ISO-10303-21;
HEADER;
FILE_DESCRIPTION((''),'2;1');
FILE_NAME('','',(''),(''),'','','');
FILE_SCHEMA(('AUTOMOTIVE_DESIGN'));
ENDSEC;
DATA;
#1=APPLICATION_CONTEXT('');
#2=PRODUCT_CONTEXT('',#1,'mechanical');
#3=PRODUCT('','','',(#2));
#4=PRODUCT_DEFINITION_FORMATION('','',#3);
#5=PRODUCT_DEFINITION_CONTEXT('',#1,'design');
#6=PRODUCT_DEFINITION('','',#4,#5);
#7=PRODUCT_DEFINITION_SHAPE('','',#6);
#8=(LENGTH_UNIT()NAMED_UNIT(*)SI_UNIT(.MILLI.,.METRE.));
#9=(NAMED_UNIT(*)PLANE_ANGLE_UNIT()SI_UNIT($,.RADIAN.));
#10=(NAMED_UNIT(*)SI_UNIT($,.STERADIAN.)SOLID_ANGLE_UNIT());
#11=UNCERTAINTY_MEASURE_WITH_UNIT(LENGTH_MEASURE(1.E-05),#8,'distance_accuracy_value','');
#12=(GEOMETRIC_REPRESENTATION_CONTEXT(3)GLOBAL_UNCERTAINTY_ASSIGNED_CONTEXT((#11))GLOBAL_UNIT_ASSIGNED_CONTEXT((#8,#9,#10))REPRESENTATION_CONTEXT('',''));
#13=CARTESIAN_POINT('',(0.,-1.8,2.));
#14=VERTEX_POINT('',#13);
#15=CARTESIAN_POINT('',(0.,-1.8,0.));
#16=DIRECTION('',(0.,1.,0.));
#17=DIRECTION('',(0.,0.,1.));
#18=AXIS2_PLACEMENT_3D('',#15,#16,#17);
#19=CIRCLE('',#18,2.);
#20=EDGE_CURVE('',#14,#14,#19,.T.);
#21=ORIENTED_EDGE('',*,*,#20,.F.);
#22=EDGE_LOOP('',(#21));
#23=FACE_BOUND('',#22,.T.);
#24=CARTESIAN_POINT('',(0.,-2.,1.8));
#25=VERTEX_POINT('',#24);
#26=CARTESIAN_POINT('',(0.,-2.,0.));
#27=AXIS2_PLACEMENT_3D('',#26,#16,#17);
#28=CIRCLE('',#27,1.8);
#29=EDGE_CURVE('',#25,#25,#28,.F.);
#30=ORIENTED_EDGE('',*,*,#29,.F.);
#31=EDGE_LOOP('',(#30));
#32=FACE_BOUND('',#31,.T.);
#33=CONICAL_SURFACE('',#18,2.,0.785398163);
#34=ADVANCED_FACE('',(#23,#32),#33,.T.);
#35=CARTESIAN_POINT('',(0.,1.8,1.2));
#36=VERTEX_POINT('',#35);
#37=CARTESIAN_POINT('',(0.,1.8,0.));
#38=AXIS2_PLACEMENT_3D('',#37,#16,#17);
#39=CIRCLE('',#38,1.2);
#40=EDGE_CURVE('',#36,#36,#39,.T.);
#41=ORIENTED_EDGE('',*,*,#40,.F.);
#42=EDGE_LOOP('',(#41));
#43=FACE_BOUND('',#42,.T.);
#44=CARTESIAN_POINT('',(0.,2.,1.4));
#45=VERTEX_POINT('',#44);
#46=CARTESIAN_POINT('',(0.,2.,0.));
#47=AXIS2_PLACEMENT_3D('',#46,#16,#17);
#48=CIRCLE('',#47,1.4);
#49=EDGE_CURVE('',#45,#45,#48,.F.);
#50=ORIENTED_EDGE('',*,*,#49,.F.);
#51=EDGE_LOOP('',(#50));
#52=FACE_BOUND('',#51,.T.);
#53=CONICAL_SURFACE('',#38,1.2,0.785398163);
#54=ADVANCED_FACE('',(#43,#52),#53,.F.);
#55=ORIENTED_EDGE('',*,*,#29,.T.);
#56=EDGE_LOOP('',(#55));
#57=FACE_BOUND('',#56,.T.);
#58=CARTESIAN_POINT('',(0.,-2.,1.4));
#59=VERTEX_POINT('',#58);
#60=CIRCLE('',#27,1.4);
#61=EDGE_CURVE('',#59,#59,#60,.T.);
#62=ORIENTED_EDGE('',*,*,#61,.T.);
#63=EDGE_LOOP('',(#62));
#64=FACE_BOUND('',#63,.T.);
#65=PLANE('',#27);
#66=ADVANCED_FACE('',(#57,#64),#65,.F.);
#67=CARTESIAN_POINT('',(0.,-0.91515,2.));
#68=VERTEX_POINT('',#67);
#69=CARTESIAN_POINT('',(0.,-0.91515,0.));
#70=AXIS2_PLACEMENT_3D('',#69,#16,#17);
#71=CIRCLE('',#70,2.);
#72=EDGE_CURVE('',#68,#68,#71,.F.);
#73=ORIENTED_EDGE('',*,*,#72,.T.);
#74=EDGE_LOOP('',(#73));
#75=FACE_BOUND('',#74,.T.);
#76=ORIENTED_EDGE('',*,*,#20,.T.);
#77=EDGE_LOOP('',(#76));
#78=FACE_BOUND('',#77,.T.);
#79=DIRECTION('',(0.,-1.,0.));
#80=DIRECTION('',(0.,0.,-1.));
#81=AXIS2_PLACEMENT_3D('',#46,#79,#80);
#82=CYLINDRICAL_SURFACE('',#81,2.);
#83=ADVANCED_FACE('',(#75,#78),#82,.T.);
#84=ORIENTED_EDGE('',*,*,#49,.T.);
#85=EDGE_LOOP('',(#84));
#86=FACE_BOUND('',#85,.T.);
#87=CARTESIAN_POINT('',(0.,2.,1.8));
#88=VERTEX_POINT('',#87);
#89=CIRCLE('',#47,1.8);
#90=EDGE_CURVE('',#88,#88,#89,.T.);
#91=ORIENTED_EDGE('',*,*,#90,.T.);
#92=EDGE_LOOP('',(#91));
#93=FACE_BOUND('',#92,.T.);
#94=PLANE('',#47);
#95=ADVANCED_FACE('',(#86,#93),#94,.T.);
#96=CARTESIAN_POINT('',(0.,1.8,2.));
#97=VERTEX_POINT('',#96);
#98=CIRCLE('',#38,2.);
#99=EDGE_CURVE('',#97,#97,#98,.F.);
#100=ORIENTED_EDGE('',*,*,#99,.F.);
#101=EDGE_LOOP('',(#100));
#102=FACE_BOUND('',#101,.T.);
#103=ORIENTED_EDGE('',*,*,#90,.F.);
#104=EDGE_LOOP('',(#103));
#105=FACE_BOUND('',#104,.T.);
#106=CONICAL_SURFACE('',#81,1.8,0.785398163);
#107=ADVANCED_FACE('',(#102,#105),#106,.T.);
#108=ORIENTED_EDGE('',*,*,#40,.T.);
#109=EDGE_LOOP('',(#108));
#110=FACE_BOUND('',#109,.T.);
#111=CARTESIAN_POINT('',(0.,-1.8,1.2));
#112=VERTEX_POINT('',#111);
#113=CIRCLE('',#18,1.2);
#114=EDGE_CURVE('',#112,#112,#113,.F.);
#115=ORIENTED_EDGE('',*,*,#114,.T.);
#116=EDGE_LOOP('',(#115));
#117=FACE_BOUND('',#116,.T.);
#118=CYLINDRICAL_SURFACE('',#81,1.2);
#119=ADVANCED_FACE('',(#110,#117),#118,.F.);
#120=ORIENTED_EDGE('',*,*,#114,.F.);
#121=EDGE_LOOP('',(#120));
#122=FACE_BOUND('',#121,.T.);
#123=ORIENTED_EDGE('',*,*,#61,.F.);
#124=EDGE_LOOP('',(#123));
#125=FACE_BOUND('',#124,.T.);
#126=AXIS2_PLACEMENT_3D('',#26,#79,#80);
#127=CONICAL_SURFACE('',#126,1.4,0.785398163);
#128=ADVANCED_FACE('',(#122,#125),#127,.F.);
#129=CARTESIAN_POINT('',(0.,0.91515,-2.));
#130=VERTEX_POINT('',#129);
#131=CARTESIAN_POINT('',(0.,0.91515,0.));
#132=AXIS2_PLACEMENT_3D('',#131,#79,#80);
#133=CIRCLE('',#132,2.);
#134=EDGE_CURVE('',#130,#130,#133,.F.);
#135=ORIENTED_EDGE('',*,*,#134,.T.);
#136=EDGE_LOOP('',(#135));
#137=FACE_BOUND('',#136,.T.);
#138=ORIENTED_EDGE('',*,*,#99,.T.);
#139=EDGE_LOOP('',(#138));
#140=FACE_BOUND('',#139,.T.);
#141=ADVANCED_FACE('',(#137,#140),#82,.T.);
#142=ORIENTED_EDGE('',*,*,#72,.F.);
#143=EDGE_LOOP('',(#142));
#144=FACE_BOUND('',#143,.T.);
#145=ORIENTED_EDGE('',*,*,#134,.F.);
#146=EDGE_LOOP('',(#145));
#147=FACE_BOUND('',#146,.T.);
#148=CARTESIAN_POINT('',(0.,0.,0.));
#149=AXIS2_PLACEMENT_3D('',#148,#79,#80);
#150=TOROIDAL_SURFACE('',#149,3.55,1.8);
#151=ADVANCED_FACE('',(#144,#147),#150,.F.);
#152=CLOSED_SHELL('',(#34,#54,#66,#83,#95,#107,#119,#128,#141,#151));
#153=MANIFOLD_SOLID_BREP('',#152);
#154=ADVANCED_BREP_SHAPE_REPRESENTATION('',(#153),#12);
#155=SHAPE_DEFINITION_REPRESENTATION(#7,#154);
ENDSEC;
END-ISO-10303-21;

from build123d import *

# Parameters (mm, degrees)
SKETCH1_R           = 2
SKETCH1_R_2         = 1.2
BOSS_EXTRUDE1_DEPTH = 2
CHAMFER1_SIZE       = 0.2
SKETCH2_R           = 1.8


with BuildPart() as part:
    # Sketch1 → Boss-Extrude1 (new body, symmetric)
    with BuildSketch(Plane(origin=(0, 0, 0), x_dir=(1, 0, 0), z_dir=(0, 1, 0))):
        Circle(SKETCH1_R)
        Circle(SKETCH1_R_2, mode=Mode.SUBTRACT)
    extrude(amount=BOSS_EXTRUDE1_DEPTH, both=True)

    # Chamfer1
    chamfer1_edges = [part.edges().sort_by_distance(p)[0] for p in [
        (-2, -2, 0),
        (-2, 2, 0),
        (-1.2, -2, 0),
        (-1.2, 2, 0),
    ]]
    chamfer(chamfer1_edges, length=CHAMFER1_SIZE)

    # Cut-Sweep1: sweep along a path in Sketch3
    with BuildLine(Plane(origin=(0, 0, 0), x_dir=(1, 0, 0), z_dir=(0, 1, 0))) as cut_sweep1_path:
        CenterArc((0, 0), 3.553150672, 0, 360)
    # Sketch2 → Cut-Sweep1 (sweep, cut)
    with BuildSketch(Plane(origin=(0, 0, 0), x_dir=(0, 0, -1), z_dir=(1, 0, 0))):
        with Locations((3.55, 0)):
            Circle(SKETCH2_R)
    sweep(path=cut_sweep1_path.line, mode=Mode.SUBTRACT)


solid = part.part
